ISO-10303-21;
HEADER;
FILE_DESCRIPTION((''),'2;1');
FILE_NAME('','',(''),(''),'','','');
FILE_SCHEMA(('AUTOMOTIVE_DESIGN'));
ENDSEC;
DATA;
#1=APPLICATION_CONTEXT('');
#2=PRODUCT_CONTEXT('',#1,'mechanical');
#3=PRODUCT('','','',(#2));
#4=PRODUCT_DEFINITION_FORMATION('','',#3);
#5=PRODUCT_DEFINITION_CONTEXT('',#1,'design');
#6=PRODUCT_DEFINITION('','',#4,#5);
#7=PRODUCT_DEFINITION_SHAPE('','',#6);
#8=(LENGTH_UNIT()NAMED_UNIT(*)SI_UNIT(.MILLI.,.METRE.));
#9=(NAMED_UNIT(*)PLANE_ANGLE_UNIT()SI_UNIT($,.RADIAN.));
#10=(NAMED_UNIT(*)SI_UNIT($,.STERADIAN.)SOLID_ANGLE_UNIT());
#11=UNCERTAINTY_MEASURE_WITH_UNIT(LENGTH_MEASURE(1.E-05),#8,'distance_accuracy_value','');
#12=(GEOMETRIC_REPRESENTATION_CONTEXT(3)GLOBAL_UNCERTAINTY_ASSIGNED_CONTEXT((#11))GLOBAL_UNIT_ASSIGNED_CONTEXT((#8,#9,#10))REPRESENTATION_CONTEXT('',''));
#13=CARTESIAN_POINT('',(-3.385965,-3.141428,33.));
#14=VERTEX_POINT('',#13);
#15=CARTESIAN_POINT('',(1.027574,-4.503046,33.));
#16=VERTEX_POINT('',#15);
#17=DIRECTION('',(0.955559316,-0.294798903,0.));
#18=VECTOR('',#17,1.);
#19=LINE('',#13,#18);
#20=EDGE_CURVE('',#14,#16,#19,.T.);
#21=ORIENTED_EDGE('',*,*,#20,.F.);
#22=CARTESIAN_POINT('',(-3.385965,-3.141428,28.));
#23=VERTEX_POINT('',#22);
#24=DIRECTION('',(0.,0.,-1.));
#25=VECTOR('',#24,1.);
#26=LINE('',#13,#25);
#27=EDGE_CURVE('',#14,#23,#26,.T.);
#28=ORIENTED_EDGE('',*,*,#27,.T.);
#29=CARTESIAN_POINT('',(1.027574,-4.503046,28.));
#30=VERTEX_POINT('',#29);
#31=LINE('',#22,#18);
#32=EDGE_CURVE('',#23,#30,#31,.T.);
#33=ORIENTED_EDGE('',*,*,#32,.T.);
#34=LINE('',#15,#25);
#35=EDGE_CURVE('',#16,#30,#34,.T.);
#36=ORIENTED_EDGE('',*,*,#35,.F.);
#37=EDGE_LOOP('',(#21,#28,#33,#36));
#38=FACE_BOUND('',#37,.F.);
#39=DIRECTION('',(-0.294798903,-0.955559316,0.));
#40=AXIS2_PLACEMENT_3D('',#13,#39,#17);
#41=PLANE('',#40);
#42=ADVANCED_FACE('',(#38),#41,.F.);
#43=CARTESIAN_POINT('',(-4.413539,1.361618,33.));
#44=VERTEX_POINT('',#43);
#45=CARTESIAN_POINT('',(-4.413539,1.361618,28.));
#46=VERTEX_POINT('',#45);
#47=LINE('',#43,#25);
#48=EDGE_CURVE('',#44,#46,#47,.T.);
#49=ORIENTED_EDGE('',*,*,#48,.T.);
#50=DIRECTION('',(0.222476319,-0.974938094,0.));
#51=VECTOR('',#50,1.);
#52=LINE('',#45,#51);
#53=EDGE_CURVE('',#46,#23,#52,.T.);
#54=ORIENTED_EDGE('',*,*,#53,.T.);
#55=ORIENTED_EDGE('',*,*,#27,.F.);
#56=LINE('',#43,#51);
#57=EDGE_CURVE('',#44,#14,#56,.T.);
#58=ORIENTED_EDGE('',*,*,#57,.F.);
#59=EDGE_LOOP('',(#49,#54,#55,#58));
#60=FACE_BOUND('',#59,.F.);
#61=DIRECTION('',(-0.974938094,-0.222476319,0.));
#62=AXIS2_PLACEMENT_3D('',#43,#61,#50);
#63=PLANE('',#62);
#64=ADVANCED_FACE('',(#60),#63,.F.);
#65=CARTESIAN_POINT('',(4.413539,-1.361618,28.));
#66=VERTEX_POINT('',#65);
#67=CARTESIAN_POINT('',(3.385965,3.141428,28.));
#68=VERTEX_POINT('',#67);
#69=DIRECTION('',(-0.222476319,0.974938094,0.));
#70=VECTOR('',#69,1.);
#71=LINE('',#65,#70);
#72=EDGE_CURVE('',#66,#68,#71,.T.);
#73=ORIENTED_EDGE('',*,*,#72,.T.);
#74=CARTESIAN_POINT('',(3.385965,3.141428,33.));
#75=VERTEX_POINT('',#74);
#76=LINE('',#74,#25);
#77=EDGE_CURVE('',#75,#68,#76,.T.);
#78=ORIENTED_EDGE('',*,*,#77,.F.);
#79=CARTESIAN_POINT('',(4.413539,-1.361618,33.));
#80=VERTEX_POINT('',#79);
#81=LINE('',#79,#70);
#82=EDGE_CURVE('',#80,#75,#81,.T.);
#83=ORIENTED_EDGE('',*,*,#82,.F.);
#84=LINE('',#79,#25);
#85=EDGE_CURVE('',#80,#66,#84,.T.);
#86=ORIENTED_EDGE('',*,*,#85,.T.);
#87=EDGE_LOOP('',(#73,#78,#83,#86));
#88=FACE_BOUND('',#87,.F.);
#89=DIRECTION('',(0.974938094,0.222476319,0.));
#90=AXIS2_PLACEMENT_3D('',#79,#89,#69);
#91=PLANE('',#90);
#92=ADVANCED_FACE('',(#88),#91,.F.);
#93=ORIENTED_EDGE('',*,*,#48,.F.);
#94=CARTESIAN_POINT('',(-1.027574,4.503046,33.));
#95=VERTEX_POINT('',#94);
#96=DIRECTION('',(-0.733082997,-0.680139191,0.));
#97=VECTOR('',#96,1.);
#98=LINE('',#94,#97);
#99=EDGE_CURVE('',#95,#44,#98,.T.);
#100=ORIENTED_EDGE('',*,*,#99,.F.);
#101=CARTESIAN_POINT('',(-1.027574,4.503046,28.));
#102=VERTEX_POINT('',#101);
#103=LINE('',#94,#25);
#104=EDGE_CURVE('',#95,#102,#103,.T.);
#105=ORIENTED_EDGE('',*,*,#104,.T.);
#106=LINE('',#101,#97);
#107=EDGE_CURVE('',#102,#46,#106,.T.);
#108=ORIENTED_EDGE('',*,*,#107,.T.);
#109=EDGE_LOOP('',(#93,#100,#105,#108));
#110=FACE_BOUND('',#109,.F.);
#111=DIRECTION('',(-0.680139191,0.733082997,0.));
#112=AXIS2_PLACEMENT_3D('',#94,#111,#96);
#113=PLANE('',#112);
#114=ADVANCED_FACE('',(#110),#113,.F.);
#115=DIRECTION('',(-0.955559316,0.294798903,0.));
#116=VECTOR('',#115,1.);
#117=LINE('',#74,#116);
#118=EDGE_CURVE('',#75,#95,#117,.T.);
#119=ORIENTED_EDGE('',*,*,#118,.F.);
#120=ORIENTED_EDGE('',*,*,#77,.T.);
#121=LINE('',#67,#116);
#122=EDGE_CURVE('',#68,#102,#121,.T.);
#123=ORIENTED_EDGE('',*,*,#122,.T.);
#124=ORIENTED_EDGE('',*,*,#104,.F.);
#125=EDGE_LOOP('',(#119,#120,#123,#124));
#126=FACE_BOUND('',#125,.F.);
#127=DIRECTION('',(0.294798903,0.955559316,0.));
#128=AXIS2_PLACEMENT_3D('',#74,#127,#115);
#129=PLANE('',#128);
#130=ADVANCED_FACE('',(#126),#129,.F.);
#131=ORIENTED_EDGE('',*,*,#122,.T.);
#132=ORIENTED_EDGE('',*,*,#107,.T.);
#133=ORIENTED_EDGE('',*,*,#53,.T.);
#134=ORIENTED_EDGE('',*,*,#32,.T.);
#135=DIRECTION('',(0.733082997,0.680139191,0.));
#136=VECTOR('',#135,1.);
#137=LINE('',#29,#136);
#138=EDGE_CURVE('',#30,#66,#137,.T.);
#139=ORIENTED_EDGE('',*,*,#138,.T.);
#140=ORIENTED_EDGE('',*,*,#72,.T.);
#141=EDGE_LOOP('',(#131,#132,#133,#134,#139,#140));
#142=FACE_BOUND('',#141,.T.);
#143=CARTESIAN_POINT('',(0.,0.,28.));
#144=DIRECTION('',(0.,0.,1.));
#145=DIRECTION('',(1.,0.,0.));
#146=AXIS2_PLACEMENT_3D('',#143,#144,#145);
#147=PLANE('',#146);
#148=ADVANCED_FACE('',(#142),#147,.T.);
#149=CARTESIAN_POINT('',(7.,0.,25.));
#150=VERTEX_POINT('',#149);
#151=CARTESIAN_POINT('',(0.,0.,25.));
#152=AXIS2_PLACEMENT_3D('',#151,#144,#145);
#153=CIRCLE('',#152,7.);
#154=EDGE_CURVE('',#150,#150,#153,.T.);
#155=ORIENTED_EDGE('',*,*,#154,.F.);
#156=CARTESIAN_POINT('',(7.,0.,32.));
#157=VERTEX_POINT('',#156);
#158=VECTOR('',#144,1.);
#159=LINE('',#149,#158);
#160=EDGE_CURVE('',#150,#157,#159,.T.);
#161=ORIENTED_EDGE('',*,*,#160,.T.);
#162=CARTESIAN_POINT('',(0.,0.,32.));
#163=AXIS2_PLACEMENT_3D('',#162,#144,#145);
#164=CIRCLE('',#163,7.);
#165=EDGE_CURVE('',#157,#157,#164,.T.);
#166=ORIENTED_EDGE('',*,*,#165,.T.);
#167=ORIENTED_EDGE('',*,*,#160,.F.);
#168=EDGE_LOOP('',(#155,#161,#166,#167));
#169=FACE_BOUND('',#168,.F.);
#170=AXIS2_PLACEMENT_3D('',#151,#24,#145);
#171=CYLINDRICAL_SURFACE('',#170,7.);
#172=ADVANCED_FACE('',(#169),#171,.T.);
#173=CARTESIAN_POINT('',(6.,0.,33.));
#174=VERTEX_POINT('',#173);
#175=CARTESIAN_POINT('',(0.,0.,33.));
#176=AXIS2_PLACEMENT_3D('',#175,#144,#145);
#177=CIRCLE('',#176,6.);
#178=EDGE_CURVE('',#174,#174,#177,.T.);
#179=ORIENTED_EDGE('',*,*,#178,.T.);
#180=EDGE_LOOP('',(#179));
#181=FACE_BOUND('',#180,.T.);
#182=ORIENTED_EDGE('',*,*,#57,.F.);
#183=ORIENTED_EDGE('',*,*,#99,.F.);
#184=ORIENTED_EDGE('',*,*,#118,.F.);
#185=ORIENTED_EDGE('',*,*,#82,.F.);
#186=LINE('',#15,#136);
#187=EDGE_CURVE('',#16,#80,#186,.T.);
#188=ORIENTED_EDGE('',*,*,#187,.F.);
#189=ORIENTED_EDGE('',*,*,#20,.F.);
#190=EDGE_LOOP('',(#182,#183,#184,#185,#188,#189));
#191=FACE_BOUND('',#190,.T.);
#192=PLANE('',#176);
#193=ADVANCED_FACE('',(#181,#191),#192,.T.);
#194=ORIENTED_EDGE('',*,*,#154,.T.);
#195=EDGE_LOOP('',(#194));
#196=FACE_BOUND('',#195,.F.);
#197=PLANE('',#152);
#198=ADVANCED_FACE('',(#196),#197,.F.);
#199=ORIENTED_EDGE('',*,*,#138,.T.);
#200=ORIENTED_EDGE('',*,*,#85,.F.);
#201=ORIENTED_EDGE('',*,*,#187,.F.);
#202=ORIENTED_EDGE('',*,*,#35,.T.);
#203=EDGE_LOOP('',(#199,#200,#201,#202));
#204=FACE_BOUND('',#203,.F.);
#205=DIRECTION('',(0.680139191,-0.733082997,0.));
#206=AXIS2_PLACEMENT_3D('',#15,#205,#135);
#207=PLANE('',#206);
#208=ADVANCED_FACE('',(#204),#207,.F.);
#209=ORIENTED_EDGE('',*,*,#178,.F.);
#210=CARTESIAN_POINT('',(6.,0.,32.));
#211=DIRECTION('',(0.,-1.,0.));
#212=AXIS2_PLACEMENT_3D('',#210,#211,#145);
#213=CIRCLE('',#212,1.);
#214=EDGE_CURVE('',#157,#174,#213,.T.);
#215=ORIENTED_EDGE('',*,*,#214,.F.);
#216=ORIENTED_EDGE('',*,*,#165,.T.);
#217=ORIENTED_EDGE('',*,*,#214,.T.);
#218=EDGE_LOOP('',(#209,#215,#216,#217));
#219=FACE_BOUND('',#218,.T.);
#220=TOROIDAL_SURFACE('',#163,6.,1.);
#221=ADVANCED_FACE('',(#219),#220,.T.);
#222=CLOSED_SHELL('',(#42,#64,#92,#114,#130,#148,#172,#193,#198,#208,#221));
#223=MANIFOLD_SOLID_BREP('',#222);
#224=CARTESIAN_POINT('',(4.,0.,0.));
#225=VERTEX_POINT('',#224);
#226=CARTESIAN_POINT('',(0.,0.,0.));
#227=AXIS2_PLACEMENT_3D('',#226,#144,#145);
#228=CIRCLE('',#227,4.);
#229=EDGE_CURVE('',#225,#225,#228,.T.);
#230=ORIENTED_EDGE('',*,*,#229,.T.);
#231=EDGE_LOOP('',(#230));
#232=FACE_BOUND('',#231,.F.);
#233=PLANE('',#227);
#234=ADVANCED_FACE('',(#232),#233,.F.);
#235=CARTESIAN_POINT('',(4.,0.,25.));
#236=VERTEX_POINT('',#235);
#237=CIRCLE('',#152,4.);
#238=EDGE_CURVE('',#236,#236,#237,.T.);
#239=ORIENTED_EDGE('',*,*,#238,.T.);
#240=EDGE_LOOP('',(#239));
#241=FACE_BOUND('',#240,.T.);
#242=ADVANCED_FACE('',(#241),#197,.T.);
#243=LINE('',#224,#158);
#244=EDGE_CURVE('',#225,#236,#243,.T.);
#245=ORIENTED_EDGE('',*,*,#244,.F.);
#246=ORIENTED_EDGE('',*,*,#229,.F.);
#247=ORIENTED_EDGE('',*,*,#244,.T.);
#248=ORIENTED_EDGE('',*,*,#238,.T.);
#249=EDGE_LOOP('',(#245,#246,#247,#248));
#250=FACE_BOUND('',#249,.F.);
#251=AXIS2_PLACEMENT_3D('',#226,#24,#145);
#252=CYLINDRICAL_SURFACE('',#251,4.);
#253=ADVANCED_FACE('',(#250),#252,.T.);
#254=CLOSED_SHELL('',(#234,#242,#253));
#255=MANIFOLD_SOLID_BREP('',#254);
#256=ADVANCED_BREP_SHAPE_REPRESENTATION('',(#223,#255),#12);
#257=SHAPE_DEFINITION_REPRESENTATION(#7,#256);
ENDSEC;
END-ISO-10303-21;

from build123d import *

# Parameters (mm, degrees)
F0_R     = 4
F4_DEPTH = 25
F1_R     = 7
F1_R_2   = 4
F5_DEPTH = 8
F2_DEPTH = 5
F3_R     = 1


with BuildPart() as f4:
    # F0 (on Top) → F4 (new body)
    with BuildSketch(Plane.XY):
        Circle(F0_R)
    extrude(amount=F4_DEPTH)


with BuildPart() as f5:
    # F1 (on face) → F5 (new body)
    with BuildSketch(Plane.XY.offset(25)):
        Circle(F1_R)
        Circle(F1_R_2, mode=Mode.SUBTRACT)
        Circle(F1_R_2)
    extrude(amount=F5_DEPTH)

    # F6 (on face) → F2 (cut)
    with BuildSketch(Plane.XY.offset(33)):
        Polygon((1.0275741013, -4.503046169), (4.4135394274, -1.3616178085), (3.3859653261, 3.1414283605), (-1.0275741013, 4.503046169), (-4.4135394274, 1.3616178085), (-3.3859653261, -3.1414283605), align=None)
    extrude(amount=-F2_DEPTH, mode=Mode.SUBTRACT)

    # F3
    f3_edges = [f5.edges().sort_by_distance(p)[0] for p in [
        (-7, 0, 33),
    ]]
    fillet(f3_edges, radius=F3_R)


solid = Compound([f4.part, f5.part])
